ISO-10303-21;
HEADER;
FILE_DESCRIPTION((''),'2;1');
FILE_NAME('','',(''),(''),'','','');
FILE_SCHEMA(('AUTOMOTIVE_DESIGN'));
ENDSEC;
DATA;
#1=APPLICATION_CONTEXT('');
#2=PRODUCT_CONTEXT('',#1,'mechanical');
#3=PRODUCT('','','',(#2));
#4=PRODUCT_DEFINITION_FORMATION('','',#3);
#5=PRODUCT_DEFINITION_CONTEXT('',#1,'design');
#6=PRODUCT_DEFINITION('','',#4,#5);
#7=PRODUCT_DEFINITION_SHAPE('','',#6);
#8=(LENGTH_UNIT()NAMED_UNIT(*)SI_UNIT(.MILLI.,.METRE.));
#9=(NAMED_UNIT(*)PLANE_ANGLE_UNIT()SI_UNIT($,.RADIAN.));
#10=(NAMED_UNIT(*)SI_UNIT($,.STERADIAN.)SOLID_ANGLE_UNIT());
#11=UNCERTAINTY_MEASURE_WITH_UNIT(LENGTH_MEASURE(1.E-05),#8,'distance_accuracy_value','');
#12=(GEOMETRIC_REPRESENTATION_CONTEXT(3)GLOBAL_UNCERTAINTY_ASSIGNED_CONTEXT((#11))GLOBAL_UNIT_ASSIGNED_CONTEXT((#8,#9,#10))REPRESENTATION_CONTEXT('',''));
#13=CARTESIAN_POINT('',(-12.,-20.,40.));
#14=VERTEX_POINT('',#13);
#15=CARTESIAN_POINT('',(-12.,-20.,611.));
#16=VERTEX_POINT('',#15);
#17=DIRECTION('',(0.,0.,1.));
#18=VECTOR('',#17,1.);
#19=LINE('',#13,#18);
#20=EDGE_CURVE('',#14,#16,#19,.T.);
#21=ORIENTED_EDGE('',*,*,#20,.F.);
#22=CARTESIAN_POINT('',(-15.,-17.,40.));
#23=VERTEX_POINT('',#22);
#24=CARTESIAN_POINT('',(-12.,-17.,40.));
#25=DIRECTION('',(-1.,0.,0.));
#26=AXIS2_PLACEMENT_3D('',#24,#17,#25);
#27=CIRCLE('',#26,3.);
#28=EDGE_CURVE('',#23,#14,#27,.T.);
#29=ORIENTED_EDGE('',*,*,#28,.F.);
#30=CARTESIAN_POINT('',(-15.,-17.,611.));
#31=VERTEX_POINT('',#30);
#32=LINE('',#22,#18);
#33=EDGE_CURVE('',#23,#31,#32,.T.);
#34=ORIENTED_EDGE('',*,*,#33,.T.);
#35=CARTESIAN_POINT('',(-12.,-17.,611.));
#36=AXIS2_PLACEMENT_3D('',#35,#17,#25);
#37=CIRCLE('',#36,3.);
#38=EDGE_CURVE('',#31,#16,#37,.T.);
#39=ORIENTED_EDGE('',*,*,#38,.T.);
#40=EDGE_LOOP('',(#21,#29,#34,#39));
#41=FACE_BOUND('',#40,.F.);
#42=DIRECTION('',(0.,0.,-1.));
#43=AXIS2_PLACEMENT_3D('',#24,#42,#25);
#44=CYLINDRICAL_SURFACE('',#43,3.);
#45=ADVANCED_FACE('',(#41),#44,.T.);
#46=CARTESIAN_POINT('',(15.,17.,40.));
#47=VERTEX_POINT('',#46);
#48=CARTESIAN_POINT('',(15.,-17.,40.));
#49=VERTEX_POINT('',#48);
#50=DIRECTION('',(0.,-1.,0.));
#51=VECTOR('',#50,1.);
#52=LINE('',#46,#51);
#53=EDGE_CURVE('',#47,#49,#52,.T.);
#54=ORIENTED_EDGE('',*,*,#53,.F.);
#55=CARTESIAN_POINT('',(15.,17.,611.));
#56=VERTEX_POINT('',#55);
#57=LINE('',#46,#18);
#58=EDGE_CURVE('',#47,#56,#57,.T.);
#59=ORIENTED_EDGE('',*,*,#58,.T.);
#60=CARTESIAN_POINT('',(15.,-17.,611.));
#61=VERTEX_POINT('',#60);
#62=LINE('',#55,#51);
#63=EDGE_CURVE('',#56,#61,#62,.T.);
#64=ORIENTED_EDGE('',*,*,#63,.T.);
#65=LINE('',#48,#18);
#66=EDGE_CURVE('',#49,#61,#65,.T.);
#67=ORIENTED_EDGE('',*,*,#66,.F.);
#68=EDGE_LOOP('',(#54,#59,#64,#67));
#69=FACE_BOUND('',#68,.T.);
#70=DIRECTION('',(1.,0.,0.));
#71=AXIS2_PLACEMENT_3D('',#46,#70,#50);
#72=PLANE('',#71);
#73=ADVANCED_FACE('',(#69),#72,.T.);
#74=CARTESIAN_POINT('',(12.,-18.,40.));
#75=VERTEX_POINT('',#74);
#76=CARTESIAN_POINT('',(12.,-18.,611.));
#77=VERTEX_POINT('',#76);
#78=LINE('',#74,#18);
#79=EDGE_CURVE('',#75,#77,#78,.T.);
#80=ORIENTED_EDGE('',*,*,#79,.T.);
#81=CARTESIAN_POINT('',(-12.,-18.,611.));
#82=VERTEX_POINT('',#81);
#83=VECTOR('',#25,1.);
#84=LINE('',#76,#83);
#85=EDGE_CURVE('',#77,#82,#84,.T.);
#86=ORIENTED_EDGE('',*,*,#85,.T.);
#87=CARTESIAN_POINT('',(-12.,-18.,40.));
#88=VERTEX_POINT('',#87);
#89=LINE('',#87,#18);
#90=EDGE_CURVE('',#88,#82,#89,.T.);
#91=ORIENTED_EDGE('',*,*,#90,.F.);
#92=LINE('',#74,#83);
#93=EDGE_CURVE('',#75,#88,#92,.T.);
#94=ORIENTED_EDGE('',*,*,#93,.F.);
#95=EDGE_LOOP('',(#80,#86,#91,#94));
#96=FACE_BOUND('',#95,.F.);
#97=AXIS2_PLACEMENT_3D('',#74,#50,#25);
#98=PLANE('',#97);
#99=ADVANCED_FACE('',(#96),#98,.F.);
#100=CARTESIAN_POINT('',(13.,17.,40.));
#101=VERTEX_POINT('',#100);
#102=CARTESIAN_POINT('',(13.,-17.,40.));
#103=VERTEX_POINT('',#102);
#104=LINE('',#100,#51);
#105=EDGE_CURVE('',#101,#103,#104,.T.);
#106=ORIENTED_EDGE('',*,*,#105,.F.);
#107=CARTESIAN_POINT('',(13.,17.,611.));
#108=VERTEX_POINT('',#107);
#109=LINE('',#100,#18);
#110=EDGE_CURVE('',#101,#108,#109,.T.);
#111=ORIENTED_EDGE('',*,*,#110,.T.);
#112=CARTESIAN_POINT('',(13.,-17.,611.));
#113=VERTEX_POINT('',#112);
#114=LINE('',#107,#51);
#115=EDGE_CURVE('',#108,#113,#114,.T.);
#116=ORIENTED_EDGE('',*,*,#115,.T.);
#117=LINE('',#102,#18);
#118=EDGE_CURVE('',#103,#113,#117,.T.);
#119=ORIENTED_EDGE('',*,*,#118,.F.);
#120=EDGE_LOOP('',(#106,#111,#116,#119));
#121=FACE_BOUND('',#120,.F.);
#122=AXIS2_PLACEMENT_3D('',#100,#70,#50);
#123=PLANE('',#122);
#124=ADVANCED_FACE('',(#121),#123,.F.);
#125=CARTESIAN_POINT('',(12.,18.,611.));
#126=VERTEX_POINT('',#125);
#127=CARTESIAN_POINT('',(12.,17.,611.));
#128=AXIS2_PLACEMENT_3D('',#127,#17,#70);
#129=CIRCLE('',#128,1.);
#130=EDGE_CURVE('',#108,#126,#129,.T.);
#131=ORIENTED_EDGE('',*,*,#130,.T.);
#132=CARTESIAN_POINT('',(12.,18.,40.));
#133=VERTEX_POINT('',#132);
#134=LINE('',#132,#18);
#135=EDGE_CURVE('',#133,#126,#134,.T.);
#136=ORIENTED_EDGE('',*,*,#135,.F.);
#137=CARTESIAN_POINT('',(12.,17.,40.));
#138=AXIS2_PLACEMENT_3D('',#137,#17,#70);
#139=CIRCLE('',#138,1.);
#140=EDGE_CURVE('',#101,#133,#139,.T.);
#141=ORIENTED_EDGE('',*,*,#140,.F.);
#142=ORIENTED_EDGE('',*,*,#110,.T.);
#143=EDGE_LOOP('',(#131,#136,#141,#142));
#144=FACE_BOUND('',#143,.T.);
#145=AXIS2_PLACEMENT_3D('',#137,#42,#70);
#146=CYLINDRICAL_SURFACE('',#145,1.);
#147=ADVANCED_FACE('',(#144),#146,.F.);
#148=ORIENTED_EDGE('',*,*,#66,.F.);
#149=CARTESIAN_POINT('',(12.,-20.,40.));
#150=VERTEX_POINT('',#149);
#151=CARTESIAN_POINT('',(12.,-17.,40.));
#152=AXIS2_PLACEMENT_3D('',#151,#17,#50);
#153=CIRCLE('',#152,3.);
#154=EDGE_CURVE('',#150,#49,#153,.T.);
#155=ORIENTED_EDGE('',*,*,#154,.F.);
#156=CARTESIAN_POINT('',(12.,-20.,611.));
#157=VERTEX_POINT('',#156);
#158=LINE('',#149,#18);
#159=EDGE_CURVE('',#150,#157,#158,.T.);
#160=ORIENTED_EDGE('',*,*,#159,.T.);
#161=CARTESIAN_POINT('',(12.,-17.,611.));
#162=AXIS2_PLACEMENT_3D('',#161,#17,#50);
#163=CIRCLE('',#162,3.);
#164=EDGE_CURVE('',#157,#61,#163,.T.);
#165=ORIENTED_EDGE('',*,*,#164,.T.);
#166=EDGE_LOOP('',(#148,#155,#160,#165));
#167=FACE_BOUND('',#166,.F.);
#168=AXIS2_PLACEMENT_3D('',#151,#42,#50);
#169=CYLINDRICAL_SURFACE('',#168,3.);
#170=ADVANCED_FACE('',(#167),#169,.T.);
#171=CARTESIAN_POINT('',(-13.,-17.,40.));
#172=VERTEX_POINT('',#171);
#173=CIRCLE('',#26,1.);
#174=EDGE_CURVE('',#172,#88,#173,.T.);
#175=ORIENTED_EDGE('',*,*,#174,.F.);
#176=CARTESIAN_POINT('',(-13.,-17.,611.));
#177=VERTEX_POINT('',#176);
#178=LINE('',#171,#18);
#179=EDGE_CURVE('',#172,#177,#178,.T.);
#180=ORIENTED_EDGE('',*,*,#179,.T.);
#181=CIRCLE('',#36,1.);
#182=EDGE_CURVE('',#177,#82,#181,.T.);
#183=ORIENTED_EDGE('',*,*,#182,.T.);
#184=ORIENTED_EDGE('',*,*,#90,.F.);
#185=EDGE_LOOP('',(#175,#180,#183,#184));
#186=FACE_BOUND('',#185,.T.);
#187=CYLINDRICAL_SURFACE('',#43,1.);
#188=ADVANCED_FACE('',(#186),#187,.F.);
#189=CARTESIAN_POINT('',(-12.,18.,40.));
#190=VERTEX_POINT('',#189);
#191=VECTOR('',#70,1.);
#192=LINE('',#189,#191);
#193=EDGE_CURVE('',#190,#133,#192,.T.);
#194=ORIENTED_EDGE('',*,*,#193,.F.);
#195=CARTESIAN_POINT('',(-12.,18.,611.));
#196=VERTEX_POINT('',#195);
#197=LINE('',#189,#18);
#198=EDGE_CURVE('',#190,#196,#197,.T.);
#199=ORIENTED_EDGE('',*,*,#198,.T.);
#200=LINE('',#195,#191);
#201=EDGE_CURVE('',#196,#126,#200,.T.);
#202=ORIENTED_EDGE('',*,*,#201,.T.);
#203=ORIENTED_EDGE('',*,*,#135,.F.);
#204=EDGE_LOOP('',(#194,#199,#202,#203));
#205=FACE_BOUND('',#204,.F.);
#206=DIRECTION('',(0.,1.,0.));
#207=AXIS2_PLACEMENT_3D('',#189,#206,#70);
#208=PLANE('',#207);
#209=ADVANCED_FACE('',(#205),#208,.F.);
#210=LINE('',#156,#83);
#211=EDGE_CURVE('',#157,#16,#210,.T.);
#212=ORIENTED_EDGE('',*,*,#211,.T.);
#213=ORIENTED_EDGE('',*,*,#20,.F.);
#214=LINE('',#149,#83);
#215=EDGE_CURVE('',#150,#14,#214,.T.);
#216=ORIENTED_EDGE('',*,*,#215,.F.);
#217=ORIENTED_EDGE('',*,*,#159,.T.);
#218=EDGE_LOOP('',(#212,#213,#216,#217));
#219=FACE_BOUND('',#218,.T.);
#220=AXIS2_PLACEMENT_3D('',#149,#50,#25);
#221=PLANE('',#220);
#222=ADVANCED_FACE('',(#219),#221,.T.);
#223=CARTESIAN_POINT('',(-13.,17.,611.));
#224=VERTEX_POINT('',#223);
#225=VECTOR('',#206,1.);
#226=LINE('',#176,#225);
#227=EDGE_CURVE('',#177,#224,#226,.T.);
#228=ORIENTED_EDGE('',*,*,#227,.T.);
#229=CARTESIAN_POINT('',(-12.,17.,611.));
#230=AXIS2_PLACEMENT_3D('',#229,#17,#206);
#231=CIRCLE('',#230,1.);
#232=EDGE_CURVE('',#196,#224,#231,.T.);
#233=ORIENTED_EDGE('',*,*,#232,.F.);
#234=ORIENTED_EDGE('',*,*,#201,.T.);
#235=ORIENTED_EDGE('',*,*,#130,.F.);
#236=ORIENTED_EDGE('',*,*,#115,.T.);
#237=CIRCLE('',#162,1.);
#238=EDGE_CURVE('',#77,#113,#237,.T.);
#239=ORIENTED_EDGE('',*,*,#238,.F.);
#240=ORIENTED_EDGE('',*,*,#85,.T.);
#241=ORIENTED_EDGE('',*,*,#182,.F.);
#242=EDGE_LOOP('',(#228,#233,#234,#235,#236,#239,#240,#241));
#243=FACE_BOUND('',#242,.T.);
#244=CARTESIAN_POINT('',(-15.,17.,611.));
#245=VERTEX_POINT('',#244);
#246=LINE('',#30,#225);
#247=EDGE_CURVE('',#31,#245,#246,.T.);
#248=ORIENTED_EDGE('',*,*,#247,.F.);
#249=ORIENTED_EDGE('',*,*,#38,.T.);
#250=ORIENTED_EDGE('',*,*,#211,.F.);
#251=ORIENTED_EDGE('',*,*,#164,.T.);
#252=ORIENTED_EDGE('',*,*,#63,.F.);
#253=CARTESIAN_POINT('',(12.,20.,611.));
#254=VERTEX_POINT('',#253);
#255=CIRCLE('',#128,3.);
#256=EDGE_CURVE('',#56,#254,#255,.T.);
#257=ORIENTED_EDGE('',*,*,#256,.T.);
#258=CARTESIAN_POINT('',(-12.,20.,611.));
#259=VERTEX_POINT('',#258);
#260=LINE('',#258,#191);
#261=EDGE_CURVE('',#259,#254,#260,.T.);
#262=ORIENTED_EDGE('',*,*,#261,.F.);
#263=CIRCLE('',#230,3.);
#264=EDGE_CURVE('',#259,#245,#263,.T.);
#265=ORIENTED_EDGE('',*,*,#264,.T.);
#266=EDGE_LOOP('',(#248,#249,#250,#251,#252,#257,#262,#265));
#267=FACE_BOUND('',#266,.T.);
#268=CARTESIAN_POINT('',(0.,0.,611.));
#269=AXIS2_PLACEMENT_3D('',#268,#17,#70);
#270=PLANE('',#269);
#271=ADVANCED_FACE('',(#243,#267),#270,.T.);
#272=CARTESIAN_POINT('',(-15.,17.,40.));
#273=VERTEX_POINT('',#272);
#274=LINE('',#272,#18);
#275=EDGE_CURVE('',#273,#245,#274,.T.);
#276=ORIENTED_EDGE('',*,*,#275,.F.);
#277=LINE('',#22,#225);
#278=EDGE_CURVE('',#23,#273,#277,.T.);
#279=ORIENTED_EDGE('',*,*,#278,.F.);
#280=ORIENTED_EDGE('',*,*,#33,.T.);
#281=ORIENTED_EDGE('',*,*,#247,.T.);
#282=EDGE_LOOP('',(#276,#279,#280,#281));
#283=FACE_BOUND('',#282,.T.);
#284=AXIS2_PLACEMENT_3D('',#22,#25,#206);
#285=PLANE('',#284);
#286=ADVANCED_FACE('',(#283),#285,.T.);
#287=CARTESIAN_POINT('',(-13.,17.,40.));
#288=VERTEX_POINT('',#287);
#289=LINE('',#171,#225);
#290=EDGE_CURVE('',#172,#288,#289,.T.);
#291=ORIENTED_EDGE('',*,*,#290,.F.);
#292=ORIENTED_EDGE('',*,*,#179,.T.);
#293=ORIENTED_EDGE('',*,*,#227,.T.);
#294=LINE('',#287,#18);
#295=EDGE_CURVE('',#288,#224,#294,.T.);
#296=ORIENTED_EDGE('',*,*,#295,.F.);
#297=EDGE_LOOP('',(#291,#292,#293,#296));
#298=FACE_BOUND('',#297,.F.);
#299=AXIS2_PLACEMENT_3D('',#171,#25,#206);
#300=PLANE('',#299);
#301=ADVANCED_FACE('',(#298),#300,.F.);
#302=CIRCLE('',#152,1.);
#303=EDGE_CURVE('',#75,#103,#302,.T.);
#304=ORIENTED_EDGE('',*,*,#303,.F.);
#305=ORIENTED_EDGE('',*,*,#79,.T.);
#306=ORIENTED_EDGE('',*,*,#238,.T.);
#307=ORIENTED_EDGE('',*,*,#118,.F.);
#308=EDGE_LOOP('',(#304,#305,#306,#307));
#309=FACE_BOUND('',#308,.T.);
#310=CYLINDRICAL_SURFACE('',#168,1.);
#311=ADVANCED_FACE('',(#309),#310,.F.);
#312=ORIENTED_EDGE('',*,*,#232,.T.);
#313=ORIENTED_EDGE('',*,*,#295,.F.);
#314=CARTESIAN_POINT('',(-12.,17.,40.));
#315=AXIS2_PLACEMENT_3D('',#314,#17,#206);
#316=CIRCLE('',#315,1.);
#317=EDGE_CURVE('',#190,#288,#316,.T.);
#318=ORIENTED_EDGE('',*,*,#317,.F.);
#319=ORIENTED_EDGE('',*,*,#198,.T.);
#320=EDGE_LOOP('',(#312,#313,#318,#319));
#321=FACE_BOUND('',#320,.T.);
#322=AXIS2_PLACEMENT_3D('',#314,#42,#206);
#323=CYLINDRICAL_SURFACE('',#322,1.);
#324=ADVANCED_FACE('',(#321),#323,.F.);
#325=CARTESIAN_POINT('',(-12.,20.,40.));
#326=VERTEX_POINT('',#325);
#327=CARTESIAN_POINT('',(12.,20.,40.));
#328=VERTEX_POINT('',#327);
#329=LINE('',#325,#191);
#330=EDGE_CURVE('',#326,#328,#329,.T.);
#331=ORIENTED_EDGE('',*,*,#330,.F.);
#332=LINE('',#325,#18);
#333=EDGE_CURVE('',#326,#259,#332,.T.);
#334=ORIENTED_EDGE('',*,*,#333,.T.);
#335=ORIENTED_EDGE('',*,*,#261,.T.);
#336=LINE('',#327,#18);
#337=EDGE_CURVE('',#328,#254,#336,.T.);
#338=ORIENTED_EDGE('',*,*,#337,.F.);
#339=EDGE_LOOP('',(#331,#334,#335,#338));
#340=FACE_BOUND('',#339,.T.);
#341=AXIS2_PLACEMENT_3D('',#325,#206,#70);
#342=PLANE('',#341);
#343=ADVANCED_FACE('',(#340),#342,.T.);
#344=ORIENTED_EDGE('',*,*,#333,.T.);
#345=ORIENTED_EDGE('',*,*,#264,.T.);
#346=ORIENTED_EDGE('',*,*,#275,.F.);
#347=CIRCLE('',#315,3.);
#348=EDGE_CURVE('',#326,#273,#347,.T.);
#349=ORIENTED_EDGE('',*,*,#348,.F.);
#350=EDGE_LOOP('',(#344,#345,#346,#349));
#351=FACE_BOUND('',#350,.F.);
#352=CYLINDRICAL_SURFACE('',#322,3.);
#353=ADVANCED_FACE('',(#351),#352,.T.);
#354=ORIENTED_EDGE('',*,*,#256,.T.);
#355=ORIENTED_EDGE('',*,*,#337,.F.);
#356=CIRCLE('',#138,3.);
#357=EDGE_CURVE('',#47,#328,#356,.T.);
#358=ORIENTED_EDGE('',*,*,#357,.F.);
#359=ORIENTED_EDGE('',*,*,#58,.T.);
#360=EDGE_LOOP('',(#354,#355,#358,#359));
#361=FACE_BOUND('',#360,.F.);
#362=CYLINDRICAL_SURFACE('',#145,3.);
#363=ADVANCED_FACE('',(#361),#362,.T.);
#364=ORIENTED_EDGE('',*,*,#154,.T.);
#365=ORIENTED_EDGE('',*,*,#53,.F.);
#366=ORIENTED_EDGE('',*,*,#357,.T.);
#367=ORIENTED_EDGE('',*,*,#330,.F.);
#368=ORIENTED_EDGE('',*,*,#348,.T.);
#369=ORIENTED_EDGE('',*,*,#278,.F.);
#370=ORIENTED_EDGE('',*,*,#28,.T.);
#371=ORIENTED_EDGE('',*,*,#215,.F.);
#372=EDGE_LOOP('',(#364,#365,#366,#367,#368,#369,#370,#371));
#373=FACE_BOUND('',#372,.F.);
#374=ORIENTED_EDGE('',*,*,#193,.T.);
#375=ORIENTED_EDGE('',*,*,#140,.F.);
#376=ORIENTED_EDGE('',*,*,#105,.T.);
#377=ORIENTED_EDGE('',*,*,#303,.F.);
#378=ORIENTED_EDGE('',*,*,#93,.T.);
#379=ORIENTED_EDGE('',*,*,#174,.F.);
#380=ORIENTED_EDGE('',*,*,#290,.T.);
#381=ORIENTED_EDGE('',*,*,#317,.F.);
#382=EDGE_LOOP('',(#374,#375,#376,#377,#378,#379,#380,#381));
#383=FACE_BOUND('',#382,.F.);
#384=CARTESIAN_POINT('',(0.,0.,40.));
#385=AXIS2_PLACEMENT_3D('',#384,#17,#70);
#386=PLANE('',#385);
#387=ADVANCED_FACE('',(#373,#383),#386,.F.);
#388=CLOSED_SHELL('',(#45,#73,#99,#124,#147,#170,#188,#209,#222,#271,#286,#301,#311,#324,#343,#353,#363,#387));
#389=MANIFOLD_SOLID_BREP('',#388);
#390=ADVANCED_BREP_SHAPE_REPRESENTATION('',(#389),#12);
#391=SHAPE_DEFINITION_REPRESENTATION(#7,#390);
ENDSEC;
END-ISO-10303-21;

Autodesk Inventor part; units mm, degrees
ref_plane "Start plane" through (0, 0, 40) normal (0, 0, 1) x (1, 0, 0)
ref_plane "End plane" through (0, 0, 611) normal (0, 0, 1) x (1, 0, 0)
sketch "Sketch" plane through (0, 0, 0) normal (0, 0, 1) x (1, 0, 0)
  line L0 (-15, -17) -> (-15, 17)
  line L1 (-12, 20) -> (12, 20)
  line L2 (15, 17) -> (15, -17)
  line L3 (12, -20) -> (-12, -20)
  arc A0 (-15, -17) -> (-12, -20) centre (-12, -17) ccw
  arc A1 (-12, 20) -> (-15, 17) centre (-12, 17) ccw
  arc A2 (15, 17) -> (12, 20) centre (12, 17) ccw
  arc A3 (12, -20) -> (15, -17) centre (12, -17) ccw
  arc A4 (-12, 18) -> (-13, 17) centre (-12, 17) ccw
  line L4 (-12, 18) -> (12, 18)
  arc A5 (13, 17) -> (12, 18) centre (12, 17) ccw
  line L5 (13, 17) -> (13, -17)
  arc A6 (12, -18) -> (13, -17) centre (12, -17) ccw
  line L6 (12, -18) -> (-12, -18)
  arc A7 (-13, -17) -> (-12, -18) centre (-12, -17) ccw
  line L7 (-13, -17) -> (-13, 17)
  line L8 (0, 28.8698) -> (0, -28.8698) construction
  line L9 (-14.8698, 0) -> (14.8698, 0) construction
  dimension "d7" = 3
  dimension "d10" = 40
  dimension "d11" = 30
  dimension "d12" = 2
  dimension "d15" = 20
  dimension "d16" = 15
extrude "Body" add sketch "Sketch" along normal up to surface (571 mm away) from surface at 40
sketch "Sketch3" plane through (0, 0, 0) normal (0, 0, 1) x (1, 0, 0)
  line L0 (0, 0) -> (10, 0)
ref_plane "Work Plane3" through (0, 0, 0) normal (0, -1, 0) x (1, 0, 0)
sketch "Sketch4" plane through (0, 0, 0) normal (0, -1, 0) x (1, 0, 0)
  line L0 (-2, 40) -> (12, 40)
  line L1 (-2, 611) -> (12, 611)
  dimension "d18" = 571
ref_plane "Work Plane4" through (7, -580, 40) normal (0, 0, -1) x (-1, 0, 0)
split "Split1" plane through (7, -580, 40) removes the side toward (0, 0, -1)
ref_plane "Work Plane5" through (-37, -600, 611) normal (0, 0, 1) x (1, 0, 0)
split "Split2" plane through (-37, -600, 611) removes the side toward (0, 0, 1)
equation "\"d7\" = G_IR"
equation "\"d10\" = G_H"
equation "\"d11\" = G_W"
equation "\"d12\" = G_T"
equation "\"d15\" = 0.5 * d10"
equation "\"d16\" = 0.5 * d11"
equation "\"d3\" = G_L"
equation "\"G_W\" = 30"
equation "\"G_H\" = 40"
equation "\"G_T\" = 2"
equation "\"G_IR\" = 3"
equation "\"G_L\" = d18"
equation "\"G_OFFSET_START\" = -40"
equation "\"G_OFFSET_END\" = -40"
equation "\"d13\" = -G_OFFSET_START"
equation "\"d14\" = G_OFFSET_END + B_L"
equation "\"B_L\" = 651"
properties part number "UNI EN 10305-5 - 40 x 30 x 2  - 571" material "Steel, Mild"
